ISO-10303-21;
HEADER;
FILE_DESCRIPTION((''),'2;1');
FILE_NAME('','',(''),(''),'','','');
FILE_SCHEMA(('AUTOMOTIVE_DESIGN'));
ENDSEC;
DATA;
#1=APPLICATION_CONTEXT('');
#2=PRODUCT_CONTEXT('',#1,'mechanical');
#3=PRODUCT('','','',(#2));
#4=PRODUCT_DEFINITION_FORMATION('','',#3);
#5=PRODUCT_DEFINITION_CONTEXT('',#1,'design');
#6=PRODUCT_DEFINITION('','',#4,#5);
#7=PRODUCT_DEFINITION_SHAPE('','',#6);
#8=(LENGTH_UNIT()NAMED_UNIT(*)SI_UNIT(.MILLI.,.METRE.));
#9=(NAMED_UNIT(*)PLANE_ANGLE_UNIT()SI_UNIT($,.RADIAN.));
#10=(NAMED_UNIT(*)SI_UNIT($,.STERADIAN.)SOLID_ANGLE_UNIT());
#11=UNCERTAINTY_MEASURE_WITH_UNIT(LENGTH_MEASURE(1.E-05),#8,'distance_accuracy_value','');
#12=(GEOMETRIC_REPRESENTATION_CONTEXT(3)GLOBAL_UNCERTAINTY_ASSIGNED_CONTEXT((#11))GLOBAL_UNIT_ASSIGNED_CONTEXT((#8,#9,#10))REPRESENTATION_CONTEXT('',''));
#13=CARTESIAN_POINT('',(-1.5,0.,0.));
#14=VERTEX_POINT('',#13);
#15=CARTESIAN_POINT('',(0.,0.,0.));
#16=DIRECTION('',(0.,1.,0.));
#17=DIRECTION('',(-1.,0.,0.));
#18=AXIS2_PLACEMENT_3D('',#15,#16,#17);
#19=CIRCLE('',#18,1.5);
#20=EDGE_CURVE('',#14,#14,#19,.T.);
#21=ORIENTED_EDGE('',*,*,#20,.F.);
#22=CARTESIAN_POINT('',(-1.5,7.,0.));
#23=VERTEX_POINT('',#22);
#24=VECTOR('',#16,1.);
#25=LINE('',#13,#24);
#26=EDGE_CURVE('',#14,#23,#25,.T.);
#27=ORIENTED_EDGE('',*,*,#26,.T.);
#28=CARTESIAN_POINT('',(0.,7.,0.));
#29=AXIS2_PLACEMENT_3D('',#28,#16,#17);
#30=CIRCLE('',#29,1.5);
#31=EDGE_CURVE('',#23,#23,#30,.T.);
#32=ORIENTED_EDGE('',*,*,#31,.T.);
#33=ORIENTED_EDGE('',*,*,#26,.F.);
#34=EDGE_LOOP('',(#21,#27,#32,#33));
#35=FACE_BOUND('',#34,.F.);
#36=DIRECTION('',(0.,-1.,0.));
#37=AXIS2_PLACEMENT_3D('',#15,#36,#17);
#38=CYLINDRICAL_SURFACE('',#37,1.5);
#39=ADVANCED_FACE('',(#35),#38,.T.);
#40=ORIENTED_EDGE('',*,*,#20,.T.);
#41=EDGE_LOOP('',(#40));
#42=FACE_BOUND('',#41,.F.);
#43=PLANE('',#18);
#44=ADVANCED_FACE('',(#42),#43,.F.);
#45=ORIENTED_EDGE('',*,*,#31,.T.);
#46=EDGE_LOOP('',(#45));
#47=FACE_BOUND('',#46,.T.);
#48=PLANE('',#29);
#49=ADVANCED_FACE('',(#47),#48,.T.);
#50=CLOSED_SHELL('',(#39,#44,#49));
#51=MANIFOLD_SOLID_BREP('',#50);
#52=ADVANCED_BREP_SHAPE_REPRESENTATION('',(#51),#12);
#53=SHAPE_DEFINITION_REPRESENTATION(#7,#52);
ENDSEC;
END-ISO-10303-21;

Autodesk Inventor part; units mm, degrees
ref_plane "YZ Plane" through (0, 0, 0) normal (1, 0, 0) x (0, 1, 0)
ref_plane "XZ Plane" through (0, 0, 0) normal (0, 1, 0) x (-1, 0, 0)
ref_plane "XY Plane" through (0, 0, 0) normal (0, 0, 1) x (1, 0, 0)
sketch "スケッチ1" plane through (0, 0, 0) normal (0, 1, 0) x (-1, 0, 0)
  circle A0 centre (0, 0) radius 1.5
  dimension "d0" = 3
extrude "押し出し1" add sketch "スケッチ1" along normal blind 7
thread "ねじ1" size "M3x0.5" class "6g" standard "ANSI Metric M Profile" full length
properties part number "伸びるやつ2"
